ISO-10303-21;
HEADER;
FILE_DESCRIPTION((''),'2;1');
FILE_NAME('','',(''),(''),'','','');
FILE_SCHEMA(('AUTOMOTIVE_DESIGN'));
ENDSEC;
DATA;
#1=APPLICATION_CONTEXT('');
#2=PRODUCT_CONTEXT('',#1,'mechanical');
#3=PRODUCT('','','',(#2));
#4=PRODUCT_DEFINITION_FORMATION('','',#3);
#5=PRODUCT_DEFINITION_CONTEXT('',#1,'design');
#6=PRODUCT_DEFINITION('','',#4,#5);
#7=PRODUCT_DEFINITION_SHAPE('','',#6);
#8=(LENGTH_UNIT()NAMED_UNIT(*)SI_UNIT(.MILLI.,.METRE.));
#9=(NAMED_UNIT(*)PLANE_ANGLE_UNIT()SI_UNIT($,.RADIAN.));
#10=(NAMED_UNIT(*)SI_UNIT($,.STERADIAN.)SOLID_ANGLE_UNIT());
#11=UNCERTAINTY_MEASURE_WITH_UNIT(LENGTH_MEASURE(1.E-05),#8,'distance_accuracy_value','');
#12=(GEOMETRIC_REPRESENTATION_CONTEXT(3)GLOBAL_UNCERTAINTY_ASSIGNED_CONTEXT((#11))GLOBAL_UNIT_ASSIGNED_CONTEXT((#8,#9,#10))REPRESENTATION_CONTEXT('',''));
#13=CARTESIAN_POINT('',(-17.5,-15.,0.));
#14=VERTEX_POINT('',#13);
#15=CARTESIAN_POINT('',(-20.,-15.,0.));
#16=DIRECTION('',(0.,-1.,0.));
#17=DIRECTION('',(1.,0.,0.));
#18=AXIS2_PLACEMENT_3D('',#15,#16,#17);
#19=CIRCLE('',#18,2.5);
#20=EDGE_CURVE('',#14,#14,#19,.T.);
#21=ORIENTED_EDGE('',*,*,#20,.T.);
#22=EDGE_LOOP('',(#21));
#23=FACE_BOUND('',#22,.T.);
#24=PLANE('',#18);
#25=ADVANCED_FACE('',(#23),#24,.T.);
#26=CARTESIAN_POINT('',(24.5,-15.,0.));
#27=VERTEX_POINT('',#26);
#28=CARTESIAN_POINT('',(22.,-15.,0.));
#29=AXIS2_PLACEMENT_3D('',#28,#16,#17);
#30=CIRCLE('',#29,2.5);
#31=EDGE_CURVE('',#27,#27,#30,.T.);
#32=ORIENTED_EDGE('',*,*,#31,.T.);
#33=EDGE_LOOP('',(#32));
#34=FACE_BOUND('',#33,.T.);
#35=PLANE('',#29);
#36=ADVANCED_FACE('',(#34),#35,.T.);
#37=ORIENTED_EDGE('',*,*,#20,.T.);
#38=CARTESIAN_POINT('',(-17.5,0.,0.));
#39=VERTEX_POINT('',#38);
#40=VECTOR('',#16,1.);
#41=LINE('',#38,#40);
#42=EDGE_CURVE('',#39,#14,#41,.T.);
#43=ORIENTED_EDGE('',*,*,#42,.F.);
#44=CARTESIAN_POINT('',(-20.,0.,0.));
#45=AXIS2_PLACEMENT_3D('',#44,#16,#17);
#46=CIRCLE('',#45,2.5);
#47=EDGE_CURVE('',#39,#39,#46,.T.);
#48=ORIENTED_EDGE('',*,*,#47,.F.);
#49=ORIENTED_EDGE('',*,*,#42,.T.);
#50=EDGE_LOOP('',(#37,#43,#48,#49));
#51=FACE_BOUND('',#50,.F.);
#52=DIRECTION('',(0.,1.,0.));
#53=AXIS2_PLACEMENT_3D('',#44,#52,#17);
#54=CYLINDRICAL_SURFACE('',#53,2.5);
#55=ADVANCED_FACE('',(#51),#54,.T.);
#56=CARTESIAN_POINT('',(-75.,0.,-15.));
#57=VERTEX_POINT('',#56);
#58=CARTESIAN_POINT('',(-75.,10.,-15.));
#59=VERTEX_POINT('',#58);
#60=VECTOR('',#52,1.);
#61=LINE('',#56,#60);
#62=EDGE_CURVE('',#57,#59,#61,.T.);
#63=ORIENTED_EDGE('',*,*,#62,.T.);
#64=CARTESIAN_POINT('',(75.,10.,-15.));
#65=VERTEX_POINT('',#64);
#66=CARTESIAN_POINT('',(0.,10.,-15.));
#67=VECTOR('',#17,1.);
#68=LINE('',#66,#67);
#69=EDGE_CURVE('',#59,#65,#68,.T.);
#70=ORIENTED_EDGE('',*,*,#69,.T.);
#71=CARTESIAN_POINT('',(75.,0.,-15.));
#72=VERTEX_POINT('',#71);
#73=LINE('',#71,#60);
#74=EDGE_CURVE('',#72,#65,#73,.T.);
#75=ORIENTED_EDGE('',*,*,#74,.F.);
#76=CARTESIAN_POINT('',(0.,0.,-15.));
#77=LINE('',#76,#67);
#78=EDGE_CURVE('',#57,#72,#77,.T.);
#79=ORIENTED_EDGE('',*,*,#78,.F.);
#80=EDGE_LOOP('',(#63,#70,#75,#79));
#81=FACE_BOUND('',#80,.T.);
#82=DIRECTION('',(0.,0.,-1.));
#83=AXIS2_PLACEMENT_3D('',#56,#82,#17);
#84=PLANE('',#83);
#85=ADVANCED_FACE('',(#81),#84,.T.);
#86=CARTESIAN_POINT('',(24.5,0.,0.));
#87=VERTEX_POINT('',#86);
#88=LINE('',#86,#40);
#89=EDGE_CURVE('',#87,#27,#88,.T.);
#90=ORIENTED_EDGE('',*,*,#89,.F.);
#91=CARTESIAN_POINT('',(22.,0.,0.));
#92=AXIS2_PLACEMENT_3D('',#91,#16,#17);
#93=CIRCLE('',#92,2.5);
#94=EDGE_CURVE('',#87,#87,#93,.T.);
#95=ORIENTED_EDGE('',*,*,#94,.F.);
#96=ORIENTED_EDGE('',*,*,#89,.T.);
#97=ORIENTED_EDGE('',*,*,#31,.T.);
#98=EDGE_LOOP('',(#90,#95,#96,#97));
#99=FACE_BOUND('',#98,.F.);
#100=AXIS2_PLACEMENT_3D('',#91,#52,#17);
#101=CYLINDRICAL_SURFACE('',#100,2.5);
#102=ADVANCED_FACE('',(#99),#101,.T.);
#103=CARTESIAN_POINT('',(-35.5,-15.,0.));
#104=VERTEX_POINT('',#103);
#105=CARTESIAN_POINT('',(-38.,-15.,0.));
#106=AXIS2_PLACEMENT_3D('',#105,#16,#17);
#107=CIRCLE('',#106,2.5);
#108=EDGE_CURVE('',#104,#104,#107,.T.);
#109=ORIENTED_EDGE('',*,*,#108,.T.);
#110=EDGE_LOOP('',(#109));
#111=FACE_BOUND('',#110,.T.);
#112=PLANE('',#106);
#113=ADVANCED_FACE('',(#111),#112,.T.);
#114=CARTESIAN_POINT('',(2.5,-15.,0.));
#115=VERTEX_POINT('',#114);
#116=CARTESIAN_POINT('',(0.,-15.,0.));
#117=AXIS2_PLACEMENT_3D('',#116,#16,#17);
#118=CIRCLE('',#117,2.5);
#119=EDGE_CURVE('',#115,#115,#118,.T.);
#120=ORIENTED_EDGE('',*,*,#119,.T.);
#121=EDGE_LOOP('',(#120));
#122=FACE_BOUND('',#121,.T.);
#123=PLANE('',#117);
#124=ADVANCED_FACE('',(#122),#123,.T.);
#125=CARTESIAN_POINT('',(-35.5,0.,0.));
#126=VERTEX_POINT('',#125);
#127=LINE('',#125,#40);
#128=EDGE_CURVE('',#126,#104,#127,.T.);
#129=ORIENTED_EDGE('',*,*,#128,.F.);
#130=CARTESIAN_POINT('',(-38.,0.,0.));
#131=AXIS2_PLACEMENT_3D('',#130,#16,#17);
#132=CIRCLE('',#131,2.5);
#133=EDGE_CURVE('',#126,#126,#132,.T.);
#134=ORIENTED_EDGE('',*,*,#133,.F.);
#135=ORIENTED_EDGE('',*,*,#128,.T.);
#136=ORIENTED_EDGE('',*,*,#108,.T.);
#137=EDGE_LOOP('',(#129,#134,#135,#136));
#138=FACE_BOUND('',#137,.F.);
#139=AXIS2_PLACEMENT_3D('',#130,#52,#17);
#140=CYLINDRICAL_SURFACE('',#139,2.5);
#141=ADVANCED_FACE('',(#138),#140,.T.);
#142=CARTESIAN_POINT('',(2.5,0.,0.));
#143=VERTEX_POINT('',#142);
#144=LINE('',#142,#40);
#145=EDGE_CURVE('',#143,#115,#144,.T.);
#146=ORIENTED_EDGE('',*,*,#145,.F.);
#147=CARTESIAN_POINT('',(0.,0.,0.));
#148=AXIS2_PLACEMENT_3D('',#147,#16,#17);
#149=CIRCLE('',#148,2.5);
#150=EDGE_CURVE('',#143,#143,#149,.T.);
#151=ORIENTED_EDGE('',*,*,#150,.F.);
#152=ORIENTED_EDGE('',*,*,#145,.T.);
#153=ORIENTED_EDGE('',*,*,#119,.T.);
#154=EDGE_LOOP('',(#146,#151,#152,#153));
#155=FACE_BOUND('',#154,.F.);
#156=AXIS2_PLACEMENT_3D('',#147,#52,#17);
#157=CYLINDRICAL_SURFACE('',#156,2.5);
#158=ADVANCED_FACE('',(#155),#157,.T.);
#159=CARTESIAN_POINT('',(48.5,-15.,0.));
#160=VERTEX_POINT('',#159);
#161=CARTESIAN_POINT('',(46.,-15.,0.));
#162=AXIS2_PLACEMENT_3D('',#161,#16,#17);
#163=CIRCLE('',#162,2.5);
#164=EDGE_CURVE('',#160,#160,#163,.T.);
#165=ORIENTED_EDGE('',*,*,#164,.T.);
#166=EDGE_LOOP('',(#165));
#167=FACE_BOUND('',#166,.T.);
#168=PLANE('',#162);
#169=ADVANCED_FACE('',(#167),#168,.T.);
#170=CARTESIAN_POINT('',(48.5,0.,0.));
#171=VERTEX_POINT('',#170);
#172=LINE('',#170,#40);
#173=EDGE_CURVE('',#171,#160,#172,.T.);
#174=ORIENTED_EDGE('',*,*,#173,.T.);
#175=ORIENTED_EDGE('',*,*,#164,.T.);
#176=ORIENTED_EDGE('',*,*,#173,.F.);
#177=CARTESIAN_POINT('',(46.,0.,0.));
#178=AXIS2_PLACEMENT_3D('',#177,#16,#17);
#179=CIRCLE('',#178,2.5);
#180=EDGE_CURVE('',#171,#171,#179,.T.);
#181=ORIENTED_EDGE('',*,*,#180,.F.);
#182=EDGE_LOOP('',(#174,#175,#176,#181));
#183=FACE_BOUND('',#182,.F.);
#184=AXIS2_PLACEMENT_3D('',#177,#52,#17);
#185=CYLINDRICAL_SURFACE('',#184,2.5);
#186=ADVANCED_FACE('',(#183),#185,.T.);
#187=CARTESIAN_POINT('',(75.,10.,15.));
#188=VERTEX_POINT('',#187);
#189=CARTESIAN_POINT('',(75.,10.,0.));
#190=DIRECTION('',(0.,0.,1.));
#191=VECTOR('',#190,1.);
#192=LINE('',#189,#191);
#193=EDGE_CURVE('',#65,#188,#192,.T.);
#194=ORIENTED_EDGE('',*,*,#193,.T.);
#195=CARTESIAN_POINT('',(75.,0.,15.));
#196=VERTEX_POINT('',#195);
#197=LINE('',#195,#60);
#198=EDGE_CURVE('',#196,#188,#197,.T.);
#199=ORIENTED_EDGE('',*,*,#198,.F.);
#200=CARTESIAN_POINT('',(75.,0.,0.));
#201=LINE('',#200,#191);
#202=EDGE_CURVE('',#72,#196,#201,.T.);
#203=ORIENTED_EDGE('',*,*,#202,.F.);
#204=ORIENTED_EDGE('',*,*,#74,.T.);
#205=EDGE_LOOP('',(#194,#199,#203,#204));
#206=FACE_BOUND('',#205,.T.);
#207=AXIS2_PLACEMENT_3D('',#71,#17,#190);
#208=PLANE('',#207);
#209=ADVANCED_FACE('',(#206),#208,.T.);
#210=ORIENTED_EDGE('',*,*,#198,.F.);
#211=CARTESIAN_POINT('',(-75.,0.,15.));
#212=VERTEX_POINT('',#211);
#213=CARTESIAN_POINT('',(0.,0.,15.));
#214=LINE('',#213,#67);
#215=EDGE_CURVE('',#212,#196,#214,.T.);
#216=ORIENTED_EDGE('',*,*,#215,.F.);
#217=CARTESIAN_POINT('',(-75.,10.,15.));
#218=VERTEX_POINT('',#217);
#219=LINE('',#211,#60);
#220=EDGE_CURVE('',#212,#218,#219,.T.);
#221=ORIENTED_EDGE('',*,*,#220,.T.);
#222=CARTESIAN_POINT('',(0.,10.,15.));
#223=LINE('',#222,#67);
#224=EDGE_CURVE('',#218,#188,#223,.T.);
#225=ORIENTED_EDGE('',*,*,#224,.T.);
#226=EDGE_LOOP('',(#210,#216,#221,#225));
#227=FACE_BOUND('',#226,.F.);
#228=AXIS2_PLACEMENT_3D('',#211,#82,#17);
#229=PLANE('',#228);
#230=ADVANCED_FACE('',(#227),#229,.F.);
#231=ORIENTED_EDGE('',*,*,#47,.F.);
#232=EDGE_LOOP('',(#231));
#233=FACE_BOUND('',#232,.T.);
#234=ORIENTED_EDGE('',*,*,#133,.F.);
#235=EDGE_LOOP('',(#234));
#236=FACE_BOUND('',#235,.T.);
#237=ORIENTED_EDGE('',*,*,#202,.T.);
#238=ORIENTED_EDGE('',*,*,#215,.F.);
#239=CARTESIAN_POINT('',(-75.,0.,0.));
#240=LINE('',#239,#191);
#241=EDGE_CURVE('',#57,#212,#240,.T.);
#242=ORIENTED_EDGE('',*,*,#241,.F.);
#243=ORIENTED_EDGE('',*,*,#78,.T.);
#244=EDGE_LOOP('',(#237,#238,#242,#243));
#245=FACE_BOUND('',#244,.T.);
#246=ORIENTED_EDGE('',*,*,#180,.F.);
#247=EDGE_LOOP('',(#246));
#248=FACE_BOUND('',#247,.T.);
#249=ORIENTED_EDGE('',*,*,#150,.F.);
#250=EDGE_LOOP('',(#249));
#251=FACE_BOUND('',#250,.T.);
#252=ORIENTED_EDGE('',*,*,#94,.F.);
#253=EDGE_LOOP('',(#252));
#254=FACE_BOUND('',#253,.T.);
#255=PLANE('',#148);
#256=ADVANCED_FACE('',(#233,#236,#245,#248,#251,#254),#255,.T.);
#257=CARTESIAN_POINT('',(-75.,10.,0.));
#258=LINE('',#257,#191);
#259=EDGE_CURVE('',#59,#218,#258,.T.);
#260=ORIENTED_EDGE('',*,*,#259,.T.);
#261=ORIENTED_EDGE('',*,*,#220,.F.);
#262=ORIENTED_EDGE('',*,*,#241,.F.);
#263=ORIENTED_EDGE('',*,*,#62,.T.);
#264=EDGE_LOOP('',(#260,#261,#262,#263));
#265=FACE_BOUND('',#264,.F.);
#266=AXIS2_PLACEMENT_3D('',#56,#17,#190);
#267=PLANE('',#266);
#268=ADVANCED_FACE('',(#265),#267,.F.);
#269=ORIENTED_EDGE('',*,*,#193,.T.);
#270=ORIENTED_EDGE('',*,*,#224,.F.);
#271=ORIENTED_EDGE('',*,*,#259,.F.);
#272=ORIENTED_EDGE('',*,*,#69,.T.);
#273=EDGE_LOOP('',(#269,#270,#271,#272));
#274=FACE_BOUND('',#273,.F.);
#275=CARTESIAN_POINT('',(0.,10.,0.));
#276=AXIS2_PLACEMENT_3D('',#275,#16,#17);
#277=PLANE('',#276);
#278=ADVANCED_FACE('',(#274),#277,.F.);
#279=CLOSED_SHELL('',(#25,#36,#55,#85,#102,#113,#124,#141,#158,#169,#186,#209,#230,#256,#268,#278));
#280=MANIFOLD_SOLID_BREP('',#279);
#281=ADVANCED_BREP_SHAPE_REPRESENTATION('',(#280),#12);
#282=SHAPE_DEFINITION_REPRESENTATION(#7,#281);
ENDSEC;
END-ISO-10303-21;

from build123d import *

# Parameters (mm, degrees)
F0_W     = 150
F0_H     = 30
F1_DEPTH = 10
F2_R     = 2.5
F3_DEPTH = 15


with BuildPart() as f1:
    # F0 (on Front) → F1 (new body)
    with BuildSketch(Plane.XZ):
        Rectangle(F0_W, F0_H)
    extrude(amount=-F1_DEPTH)

    # F2 (on face) → F3 (join)
    with BuildSketch(Plane.XZ):
        with Locations((-38, 0)):
            Circle(F2_R)
        with Locations((-20, 0)):
            Circle(F2_R)
        Circle(F2_R)
        with Locations((22, 0)):
            Circle(F2_R)
        with Locations((46, 0)):
            Circle(F2_R)
    extrude(amount=F3_DEPTH)


solid = f1.part
